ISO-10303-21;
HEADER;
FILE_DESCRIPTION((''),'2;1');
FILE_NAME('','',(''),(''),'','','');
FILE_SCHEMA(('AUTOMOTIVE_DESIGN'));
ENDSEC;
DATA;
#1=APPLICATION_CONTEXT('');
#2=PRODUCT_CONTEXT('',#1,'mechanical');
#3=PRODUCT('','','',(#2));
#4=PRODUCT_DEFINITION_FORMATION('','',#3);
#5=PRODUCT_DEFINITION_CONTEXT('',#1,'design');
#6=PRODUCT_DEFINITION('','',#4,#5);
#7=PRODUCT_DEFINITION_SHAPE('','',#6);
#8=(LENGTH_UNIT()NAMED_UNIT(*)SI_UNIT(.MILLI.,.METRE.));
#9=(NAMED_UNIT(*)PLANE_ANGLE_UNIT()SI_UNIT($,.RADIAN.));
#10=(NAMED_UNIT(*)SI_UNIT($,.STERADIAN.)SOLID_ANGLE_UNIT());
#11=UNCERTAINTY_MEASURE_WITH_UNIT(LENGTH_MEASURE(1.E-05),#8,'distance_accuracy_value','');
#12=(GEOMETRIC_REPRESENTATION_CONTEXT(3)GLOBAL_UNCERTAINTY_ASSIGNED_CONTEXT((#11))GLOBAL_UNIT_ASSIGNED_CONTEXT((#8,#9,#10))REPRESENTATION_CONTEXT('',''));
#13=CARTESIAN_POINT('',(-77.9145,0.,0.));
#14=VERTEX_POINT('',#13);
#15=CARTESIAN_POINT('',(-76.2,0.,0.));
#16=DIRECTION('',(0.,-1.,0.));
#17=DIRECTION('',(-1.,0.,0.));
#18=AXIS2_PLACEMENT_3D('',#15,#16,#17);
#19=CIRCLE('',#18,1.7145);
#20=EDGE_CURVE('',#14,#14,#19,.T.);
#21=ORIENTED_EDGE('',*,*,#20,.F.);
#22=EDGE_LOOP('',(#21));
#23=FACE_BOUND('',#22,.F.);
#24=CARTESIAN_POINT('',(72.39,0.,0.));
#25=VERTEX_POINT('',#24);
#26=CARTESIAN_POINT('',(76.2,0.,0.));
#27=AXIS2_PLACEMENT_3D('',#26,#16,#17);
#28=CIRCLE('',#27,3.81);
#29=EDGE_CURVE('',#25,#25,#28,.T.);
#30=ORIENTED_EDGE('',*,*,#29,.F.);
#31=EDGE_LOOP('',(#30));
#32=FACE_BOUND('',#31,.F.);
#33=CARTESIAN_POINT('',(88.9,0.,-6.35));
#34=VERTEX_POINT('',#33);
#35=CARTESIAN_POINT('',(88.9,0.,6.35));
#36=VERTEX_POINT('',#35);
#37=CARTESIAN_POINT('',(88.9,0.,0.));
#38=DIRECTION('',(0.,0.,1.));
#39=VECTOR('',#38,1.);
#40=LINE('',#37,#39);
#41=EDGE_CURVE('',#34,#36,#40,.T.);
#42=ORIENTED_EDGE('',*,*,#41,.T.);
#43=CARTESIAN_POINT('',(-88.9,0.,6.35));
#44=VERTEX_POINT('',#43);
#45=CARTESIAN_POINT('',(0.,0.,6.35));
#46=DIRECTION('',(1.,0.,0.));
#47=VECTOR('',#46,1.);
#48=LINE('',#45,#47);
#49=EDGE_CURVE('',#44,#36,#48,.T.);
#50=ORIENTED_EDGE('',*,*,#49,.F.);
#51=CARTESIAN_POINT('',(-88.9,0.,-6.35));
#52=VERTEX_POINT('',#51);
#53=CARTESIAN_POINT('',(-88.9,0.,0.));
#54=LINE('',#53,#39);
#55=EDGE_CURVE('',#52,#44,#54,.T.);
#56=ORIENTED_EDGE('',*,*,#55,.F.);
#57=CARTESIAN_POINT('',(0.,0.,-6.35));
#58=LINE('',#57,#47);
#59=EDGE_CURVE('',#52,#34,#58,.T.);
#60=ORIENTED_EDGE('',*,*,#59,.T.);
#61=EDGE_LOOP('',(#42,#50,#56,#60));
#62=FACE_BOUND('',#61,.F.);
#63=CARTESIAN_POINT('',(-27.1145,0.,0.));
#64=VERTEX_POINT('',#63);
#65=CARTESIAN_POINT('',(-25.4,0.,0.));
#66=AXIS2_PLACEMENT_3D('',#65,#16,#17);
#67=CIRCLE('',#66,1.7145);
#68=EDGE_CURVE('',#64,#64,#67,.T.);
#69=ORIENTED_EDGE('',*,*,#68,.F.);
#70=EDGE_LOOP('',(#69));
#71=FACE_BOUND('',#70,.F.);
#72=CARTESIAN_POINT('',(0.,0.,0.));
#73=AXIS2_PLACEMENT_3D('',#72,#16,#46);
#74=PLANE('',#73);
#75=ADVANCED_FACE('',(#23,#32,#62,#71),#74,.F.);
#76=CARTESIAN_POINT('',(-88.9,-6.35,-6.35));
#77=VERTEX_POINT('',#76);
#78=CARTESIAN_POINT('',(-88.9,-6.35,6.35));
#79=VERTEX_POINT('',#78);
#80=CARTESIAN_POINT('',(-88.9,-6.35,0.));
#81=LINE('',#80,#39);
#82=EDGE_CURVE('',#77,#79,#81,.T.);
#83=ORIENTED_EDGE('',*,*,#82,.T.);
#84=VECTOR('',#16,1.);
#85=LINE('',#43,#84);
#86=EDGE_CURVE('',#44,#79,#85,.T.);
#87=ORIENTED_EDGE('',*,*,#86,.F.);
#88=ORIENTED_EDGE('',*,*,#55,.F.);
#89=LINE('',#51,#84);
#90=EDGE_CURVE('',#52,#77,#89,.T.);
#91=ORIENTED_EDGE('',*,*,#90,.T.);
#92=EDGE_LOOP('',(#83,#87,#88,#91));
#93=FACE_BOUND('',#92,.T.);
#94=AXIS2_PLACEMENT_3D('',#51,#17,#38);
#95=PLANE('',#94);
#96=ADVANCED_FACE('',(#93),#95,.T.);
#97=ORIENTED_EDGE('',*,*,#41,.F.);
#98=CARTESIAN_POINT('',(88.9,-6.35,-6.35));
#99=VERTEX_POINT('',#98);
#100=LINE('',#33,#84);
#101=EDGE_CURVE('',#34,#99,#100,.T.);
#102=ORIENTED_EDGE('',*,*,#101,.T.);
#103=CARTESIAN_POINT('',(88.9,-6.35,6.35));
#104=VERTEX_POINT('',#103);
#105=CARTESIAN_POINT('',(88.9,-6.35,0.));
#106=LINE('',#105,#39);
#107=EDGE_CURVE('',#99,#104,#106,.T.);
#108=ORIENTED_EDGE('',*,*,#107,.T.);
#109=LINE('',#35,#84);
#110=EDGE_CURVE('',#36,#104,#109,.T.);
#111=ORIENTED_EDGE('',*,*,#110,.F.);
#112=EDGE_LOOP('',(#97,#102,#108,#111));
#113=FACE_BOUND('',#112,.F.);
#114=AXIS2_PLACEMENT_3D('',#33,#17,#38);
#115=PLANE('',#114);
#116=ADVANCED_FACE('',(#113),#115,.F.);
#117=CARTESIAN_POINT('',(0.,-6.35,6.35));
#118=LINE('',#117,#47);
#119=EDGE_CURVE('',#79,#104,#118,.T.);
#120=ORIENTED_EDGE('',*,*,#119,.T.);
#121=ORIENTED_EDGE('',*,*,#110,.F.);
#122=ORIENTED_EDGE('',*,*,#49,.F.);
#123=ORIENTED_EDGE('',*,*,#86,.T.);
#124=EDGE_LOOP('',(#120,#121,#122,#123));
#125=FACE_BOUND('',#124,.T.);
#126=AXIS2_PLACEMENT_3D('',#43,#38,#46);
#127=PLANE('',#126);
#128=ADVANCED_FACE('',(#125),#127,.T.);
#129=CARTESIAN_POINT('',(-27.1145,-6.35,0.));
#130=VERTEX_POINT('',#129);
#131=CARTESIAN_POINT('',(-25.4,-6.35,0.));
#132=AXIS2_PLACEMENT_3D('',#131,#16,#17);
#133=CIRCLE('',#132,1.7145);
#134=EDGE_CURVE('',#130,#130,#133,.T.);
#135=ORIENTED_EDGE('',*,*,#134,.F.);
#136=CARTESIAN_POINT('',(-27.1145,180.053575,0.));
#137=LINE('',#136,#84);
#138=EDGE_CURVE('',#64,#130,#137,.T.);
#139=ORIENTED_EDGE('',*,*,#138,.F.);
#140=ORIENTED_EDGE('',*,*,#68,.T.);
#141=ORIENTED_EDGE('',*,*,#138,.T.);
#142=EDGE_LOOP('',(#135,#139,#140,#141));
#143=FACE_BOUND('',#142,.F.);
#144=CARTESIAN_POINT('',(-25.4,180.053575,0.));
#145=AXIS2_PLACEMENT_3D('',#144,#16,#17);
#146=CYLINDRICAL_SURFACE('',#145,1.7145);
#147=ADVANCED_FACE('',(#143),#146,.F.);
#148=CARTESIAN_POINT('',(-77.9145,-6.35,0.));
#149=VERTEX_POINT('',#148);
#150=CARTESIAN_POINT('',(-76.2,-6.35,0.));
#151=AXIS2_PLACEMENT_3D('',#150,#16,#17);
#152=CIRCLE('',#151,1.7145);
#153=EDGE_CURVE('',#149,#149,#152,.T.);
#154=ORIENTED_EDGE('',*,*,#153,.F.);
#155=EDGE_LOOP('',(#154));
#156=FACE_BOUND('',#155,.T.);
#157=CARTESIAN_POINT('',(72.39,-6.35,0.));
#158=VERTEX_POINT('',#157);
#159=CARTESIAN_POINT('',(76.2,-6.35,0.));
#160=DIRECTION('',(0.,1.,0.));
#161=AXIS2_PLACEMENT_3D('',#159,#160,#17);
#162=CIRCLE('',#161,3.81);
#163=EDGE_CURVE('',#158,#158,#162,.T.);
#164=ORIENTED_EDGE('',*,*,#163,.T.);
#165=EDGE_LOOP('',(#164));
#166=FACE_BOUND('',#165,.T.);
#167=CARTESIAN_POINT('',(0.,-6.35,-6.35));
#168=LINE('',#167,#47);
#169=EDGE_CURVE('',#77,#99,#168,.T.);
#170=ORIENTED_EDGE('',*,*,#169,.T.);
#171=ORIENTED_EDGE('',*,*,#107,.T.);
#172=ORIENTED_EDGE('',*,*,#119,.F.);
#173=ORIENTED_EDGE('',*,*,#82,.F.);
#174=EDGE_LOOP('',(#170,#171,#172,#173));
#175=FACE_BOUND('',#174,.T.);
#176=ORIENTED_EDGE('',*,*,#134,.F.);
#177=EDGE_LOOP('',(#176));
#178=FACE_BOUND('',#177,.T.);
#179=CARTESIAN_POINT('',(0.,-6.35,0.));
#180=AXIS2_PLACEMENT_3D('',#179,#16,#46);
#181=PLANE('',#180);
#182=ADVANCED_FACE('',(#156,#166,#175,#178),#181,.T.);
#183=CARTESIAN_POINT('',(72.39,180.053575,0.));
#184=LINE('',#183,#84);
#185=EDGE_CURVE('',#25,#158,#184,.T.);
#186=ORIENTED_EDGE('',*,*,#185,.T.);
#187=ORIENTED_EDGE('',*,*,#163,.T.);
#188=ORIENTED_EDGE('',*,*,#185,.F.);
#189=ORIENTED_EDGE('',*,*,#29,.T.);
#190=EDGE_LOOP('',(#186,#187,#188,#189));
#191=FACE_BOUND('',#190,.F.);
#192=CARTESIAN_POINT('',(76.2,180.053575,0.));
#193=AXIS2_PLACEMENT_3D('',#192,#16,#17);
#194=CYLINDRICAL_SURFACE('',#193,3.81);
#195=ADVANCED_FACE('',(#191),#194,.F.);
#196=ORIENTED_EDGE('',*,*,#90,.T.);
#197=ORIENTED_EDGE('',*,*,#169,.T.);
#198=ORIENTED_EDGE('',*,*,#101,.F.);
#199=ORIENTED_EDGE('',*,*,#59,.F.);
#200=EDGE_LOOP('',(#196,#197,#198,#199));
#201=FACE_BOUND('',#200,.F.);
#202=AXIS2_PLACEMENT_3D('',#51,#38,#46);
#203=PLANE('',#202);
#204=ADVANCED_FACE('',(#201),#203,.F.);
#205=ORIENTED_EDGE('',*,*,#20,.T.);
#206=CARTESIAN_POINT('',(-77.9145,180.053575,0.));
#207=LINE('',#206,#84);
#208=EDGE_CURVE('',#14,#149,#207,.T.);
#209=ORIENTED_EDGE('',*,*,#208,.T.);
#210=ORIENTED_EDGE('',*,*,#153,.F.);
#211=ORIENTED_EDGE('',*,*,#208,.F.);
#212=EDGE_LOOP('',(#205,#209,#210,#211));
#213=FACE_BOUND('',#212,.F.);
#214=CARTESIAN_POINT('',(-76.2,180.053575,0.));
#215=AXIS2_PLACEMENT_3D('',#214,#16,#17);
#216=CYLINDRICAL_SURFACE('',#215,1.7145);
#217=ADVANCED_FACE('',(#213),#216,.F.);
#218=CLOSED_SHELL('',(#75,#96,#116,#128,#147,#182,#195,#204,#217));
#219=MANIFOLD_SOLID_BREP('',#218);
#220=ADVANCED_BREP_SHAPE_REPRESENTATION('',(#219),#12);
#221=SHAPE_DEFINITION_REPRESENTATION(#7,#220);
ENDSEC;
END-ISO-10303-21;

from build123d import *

# Parameters (mm, degrees)
F0_R     = 3.81
F1_DEPTH = 25.4
F0_W     = 177.8
F0_H     = 12.7
F0_R_2   = 1.27
F2_DEPTH = 6.35
F3_D     = 3.429
F4_D     = 7.62


with BuildPart() as f1:
    # F0 (on Front) → F1 (new body)
    with BuildSketch(Plane.XZ):
        with Locations((76.2, 0)):
            Circle(F0_R)
    extrude(amount=F1_DEPTH)

    # F0 (on Front) → F2 (join)
    with BuildSketch(Plane.XZ):
        Rectangle(F0_W, F0_H)
        with Locations((-76.2, 0)):
            Circle(F0_R_2, mode=Mode.SUBTRACT)
        with Locations((-25.4, 0)):
            Circle(F0_R_2, mode=Mode.SUBTRACT)
        with Locations((76.2, 0)):
            Circle(F0_R, mode=Mode.SUBTRACT)
        with Locations((-25.4, 0)):
            Circle(F0_R_2)
        with Locations((-76.2, 0)):
            Circle(F0_R_2)
    extrude(amount=F2_DEPTH)

    # F3 (through all)
    with Locations(Plane(origin=(0, 0, 0), x_dir=(1, 0, 0), z_dir=(0, 1, 0))):
        with Locations((-25.4, 0), (-76.2, 0)):
            Hole(F3_D / 2)

    # F4 (through all)
    with Locations(Plane(origin=(0, 0, 0), x_dir=(1, 0, 0), z_dir=(0, 1, 0))):
        with Locations((76.2, 0)):
            Hole(F4_D / 2)


solid = f1.part
